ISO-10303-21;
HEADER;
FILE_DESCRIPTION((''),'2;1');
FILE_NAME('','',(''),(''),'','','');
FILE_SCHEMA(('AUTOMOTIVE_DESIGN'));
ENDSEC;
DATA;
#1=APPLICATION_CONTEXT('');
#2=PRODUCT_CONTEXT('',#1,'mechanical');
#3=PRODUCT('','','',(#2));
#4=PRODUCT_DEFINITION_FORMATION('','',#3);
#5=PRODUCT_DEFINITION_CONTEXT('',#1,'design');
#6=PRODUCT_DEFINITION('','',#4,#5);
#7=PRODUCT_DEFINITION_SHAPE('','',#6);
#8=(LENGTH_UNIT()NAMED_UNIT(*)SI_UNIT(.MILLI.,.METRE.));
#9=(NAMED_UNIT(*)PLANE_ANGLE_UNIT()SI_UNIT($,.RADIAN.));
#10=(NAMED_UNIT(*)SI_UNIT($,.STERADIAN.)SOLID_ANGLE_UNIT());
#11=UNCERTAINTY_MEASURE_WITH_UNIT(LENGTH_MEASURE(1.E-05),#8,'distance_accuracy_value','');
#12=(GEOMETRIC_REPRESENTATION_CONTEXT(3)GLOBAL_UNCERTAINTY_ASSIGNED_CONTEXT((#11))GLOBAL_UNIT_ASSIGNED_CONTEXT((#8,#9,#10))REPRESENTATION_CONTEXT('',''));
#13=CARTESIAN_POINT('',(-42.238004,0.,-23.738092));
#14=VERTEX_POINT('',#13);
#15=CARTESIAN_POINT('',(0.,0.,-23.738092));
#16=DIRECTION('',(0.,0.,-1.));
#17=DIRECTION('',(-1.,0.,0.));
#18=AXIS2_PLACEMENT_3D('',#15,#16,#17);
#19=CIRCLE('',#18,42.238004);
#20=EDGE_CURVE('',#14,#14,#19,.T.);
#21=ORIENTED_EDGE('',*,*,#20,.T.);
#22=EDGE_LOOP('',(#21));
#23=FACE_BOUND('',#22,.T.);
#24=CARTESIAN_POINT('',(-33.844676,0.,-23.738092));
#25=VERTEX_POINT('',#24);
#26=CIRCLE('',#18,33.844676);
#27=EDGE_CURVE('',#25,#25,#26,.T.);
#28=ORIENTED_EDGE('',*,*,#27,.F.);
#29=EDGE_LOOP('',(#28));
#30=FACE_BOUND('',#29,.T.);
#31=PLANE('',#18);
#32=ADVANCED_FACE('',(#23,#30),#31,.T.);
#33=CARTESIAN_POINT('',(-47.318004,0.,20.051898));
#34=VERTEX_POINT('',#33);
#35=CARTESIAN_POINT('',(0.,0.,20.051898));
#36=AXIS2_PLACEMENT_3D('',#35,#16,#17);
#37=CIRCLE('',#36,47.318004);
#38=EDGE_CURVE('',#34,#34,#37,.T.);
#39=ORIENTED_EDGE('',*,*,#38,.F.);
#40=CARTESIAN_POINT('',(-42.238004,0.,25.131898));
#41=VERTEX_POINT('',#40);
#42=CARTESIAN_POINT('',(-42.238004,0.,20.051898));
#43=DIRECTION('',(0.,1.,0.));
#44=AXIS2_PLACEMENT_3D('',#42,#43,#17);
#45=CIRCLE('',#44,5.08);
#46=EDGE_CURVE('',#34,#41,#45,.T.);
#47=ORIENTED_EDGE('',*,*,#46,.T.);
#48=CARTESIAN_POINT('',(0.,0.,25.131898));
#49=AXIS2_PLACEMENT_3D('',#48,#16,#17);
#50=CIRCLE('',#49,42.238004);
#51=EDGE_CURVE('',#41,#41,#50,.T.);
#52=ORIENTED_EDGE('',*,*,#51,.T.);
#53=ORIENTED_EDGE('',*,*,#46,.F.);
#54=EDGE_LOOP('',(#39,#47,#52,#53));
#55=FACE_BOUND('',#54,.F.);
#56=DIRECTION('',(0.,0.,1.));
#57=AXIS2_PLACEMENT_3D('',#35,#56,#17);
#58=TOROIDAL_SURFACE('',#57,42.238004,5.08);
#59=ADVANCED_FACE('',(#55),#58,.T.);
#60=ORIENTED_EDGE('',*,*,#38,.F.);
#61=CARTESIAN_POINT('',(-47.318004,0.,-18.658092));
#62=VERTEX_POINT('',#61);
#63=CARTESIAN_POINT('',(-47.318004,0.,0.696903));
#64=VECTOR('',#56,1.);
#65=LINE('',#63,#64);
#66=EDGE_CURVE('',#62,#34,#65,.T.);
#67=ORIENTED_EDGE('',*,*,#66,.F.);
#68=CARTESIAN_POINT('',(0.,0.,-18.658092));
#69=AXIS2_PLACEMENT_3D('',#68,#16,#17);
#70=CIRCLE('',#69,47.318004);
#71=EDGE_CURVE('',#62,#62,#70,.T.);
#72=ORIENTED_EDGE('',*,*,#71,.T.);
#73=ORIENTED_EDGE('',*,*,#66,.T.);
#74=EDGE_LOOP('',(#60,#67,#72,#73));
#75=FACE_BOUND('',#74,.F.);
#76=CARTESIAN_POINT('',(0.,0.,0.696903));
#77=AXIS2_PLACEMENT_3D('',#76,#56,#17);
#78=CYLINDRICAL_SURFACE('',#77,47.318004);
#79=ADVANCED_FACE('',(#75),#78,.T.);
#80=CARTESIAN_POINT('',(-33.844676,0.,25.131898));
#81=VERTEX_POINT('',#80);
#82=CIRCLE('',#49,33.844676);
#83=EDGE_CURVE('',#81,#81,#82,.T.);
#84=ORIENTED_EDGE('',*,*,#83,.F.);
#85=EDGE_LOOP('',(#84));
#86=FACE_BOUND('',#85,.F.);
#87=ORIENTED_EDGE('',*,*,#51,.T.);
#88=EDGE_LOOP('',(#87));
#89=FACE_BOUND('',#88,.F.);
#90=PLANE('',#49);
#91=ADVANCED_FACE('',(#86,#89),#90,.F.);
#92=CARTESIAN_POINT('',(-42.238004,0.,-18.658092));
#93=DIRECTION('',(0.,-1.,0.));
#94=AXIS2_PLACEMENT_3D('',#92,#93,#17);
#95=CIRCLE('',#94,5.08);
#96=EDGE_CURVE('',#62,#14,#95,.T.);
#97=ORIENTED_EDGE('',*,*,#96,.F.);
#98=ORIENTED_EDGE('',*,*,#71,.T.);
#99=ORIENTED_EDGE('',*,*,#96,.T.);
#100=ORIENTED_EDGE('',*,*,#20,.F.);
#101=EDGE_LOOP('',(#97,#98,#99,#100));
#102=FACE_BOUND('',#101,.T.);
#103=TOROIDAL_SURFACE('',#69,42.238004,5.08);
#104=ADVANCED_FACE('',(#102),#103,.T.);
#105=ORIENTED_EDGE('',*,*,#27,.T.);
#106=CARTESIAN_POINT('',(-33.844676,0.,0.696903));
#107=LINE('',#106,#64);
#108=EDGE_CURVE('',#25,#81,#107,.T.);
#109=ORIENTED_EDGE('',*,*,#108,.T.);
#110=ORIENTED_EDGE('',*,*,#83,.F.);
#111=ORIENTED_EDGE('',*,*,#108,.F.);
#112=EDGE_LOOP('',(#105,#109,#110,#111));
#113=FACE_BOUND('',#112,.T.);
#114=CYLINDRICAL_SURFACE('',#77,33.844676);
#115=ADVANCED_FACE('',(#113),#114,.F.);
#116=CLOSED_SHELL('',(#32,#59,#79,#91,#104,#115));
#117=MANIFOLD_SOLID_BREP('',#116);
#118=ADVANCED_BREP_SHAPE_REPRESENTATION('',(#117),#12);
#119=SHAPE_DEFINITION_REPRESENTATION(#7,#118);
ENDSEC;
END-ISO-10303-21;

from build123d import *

# Parameters (mm, degrees)
F0_W = 13.473328
F0_H = 48.86999
F3_R = 5.08


with BuildPart() as f2:
    # F0 (on Front) → F2 (revolve)
    with BuildSketch(Plane.XZ):
        with Locations((-40.58134, 0.696903)):
            Rectangle(F0_W, F0_H)
    revolve(axis=Axis((0, 0, 1.296671), (0, 0, -1)))

    # F3
    f3_edges = [f2.edges().sort_by_distance(p)[0] for p in [
        (47.318004, 0, 25.131898),
        (47.318004, 0, -23.738092),
    ]]
    fillet(f3_edges, radius=F3_R)


solid = f2.part
